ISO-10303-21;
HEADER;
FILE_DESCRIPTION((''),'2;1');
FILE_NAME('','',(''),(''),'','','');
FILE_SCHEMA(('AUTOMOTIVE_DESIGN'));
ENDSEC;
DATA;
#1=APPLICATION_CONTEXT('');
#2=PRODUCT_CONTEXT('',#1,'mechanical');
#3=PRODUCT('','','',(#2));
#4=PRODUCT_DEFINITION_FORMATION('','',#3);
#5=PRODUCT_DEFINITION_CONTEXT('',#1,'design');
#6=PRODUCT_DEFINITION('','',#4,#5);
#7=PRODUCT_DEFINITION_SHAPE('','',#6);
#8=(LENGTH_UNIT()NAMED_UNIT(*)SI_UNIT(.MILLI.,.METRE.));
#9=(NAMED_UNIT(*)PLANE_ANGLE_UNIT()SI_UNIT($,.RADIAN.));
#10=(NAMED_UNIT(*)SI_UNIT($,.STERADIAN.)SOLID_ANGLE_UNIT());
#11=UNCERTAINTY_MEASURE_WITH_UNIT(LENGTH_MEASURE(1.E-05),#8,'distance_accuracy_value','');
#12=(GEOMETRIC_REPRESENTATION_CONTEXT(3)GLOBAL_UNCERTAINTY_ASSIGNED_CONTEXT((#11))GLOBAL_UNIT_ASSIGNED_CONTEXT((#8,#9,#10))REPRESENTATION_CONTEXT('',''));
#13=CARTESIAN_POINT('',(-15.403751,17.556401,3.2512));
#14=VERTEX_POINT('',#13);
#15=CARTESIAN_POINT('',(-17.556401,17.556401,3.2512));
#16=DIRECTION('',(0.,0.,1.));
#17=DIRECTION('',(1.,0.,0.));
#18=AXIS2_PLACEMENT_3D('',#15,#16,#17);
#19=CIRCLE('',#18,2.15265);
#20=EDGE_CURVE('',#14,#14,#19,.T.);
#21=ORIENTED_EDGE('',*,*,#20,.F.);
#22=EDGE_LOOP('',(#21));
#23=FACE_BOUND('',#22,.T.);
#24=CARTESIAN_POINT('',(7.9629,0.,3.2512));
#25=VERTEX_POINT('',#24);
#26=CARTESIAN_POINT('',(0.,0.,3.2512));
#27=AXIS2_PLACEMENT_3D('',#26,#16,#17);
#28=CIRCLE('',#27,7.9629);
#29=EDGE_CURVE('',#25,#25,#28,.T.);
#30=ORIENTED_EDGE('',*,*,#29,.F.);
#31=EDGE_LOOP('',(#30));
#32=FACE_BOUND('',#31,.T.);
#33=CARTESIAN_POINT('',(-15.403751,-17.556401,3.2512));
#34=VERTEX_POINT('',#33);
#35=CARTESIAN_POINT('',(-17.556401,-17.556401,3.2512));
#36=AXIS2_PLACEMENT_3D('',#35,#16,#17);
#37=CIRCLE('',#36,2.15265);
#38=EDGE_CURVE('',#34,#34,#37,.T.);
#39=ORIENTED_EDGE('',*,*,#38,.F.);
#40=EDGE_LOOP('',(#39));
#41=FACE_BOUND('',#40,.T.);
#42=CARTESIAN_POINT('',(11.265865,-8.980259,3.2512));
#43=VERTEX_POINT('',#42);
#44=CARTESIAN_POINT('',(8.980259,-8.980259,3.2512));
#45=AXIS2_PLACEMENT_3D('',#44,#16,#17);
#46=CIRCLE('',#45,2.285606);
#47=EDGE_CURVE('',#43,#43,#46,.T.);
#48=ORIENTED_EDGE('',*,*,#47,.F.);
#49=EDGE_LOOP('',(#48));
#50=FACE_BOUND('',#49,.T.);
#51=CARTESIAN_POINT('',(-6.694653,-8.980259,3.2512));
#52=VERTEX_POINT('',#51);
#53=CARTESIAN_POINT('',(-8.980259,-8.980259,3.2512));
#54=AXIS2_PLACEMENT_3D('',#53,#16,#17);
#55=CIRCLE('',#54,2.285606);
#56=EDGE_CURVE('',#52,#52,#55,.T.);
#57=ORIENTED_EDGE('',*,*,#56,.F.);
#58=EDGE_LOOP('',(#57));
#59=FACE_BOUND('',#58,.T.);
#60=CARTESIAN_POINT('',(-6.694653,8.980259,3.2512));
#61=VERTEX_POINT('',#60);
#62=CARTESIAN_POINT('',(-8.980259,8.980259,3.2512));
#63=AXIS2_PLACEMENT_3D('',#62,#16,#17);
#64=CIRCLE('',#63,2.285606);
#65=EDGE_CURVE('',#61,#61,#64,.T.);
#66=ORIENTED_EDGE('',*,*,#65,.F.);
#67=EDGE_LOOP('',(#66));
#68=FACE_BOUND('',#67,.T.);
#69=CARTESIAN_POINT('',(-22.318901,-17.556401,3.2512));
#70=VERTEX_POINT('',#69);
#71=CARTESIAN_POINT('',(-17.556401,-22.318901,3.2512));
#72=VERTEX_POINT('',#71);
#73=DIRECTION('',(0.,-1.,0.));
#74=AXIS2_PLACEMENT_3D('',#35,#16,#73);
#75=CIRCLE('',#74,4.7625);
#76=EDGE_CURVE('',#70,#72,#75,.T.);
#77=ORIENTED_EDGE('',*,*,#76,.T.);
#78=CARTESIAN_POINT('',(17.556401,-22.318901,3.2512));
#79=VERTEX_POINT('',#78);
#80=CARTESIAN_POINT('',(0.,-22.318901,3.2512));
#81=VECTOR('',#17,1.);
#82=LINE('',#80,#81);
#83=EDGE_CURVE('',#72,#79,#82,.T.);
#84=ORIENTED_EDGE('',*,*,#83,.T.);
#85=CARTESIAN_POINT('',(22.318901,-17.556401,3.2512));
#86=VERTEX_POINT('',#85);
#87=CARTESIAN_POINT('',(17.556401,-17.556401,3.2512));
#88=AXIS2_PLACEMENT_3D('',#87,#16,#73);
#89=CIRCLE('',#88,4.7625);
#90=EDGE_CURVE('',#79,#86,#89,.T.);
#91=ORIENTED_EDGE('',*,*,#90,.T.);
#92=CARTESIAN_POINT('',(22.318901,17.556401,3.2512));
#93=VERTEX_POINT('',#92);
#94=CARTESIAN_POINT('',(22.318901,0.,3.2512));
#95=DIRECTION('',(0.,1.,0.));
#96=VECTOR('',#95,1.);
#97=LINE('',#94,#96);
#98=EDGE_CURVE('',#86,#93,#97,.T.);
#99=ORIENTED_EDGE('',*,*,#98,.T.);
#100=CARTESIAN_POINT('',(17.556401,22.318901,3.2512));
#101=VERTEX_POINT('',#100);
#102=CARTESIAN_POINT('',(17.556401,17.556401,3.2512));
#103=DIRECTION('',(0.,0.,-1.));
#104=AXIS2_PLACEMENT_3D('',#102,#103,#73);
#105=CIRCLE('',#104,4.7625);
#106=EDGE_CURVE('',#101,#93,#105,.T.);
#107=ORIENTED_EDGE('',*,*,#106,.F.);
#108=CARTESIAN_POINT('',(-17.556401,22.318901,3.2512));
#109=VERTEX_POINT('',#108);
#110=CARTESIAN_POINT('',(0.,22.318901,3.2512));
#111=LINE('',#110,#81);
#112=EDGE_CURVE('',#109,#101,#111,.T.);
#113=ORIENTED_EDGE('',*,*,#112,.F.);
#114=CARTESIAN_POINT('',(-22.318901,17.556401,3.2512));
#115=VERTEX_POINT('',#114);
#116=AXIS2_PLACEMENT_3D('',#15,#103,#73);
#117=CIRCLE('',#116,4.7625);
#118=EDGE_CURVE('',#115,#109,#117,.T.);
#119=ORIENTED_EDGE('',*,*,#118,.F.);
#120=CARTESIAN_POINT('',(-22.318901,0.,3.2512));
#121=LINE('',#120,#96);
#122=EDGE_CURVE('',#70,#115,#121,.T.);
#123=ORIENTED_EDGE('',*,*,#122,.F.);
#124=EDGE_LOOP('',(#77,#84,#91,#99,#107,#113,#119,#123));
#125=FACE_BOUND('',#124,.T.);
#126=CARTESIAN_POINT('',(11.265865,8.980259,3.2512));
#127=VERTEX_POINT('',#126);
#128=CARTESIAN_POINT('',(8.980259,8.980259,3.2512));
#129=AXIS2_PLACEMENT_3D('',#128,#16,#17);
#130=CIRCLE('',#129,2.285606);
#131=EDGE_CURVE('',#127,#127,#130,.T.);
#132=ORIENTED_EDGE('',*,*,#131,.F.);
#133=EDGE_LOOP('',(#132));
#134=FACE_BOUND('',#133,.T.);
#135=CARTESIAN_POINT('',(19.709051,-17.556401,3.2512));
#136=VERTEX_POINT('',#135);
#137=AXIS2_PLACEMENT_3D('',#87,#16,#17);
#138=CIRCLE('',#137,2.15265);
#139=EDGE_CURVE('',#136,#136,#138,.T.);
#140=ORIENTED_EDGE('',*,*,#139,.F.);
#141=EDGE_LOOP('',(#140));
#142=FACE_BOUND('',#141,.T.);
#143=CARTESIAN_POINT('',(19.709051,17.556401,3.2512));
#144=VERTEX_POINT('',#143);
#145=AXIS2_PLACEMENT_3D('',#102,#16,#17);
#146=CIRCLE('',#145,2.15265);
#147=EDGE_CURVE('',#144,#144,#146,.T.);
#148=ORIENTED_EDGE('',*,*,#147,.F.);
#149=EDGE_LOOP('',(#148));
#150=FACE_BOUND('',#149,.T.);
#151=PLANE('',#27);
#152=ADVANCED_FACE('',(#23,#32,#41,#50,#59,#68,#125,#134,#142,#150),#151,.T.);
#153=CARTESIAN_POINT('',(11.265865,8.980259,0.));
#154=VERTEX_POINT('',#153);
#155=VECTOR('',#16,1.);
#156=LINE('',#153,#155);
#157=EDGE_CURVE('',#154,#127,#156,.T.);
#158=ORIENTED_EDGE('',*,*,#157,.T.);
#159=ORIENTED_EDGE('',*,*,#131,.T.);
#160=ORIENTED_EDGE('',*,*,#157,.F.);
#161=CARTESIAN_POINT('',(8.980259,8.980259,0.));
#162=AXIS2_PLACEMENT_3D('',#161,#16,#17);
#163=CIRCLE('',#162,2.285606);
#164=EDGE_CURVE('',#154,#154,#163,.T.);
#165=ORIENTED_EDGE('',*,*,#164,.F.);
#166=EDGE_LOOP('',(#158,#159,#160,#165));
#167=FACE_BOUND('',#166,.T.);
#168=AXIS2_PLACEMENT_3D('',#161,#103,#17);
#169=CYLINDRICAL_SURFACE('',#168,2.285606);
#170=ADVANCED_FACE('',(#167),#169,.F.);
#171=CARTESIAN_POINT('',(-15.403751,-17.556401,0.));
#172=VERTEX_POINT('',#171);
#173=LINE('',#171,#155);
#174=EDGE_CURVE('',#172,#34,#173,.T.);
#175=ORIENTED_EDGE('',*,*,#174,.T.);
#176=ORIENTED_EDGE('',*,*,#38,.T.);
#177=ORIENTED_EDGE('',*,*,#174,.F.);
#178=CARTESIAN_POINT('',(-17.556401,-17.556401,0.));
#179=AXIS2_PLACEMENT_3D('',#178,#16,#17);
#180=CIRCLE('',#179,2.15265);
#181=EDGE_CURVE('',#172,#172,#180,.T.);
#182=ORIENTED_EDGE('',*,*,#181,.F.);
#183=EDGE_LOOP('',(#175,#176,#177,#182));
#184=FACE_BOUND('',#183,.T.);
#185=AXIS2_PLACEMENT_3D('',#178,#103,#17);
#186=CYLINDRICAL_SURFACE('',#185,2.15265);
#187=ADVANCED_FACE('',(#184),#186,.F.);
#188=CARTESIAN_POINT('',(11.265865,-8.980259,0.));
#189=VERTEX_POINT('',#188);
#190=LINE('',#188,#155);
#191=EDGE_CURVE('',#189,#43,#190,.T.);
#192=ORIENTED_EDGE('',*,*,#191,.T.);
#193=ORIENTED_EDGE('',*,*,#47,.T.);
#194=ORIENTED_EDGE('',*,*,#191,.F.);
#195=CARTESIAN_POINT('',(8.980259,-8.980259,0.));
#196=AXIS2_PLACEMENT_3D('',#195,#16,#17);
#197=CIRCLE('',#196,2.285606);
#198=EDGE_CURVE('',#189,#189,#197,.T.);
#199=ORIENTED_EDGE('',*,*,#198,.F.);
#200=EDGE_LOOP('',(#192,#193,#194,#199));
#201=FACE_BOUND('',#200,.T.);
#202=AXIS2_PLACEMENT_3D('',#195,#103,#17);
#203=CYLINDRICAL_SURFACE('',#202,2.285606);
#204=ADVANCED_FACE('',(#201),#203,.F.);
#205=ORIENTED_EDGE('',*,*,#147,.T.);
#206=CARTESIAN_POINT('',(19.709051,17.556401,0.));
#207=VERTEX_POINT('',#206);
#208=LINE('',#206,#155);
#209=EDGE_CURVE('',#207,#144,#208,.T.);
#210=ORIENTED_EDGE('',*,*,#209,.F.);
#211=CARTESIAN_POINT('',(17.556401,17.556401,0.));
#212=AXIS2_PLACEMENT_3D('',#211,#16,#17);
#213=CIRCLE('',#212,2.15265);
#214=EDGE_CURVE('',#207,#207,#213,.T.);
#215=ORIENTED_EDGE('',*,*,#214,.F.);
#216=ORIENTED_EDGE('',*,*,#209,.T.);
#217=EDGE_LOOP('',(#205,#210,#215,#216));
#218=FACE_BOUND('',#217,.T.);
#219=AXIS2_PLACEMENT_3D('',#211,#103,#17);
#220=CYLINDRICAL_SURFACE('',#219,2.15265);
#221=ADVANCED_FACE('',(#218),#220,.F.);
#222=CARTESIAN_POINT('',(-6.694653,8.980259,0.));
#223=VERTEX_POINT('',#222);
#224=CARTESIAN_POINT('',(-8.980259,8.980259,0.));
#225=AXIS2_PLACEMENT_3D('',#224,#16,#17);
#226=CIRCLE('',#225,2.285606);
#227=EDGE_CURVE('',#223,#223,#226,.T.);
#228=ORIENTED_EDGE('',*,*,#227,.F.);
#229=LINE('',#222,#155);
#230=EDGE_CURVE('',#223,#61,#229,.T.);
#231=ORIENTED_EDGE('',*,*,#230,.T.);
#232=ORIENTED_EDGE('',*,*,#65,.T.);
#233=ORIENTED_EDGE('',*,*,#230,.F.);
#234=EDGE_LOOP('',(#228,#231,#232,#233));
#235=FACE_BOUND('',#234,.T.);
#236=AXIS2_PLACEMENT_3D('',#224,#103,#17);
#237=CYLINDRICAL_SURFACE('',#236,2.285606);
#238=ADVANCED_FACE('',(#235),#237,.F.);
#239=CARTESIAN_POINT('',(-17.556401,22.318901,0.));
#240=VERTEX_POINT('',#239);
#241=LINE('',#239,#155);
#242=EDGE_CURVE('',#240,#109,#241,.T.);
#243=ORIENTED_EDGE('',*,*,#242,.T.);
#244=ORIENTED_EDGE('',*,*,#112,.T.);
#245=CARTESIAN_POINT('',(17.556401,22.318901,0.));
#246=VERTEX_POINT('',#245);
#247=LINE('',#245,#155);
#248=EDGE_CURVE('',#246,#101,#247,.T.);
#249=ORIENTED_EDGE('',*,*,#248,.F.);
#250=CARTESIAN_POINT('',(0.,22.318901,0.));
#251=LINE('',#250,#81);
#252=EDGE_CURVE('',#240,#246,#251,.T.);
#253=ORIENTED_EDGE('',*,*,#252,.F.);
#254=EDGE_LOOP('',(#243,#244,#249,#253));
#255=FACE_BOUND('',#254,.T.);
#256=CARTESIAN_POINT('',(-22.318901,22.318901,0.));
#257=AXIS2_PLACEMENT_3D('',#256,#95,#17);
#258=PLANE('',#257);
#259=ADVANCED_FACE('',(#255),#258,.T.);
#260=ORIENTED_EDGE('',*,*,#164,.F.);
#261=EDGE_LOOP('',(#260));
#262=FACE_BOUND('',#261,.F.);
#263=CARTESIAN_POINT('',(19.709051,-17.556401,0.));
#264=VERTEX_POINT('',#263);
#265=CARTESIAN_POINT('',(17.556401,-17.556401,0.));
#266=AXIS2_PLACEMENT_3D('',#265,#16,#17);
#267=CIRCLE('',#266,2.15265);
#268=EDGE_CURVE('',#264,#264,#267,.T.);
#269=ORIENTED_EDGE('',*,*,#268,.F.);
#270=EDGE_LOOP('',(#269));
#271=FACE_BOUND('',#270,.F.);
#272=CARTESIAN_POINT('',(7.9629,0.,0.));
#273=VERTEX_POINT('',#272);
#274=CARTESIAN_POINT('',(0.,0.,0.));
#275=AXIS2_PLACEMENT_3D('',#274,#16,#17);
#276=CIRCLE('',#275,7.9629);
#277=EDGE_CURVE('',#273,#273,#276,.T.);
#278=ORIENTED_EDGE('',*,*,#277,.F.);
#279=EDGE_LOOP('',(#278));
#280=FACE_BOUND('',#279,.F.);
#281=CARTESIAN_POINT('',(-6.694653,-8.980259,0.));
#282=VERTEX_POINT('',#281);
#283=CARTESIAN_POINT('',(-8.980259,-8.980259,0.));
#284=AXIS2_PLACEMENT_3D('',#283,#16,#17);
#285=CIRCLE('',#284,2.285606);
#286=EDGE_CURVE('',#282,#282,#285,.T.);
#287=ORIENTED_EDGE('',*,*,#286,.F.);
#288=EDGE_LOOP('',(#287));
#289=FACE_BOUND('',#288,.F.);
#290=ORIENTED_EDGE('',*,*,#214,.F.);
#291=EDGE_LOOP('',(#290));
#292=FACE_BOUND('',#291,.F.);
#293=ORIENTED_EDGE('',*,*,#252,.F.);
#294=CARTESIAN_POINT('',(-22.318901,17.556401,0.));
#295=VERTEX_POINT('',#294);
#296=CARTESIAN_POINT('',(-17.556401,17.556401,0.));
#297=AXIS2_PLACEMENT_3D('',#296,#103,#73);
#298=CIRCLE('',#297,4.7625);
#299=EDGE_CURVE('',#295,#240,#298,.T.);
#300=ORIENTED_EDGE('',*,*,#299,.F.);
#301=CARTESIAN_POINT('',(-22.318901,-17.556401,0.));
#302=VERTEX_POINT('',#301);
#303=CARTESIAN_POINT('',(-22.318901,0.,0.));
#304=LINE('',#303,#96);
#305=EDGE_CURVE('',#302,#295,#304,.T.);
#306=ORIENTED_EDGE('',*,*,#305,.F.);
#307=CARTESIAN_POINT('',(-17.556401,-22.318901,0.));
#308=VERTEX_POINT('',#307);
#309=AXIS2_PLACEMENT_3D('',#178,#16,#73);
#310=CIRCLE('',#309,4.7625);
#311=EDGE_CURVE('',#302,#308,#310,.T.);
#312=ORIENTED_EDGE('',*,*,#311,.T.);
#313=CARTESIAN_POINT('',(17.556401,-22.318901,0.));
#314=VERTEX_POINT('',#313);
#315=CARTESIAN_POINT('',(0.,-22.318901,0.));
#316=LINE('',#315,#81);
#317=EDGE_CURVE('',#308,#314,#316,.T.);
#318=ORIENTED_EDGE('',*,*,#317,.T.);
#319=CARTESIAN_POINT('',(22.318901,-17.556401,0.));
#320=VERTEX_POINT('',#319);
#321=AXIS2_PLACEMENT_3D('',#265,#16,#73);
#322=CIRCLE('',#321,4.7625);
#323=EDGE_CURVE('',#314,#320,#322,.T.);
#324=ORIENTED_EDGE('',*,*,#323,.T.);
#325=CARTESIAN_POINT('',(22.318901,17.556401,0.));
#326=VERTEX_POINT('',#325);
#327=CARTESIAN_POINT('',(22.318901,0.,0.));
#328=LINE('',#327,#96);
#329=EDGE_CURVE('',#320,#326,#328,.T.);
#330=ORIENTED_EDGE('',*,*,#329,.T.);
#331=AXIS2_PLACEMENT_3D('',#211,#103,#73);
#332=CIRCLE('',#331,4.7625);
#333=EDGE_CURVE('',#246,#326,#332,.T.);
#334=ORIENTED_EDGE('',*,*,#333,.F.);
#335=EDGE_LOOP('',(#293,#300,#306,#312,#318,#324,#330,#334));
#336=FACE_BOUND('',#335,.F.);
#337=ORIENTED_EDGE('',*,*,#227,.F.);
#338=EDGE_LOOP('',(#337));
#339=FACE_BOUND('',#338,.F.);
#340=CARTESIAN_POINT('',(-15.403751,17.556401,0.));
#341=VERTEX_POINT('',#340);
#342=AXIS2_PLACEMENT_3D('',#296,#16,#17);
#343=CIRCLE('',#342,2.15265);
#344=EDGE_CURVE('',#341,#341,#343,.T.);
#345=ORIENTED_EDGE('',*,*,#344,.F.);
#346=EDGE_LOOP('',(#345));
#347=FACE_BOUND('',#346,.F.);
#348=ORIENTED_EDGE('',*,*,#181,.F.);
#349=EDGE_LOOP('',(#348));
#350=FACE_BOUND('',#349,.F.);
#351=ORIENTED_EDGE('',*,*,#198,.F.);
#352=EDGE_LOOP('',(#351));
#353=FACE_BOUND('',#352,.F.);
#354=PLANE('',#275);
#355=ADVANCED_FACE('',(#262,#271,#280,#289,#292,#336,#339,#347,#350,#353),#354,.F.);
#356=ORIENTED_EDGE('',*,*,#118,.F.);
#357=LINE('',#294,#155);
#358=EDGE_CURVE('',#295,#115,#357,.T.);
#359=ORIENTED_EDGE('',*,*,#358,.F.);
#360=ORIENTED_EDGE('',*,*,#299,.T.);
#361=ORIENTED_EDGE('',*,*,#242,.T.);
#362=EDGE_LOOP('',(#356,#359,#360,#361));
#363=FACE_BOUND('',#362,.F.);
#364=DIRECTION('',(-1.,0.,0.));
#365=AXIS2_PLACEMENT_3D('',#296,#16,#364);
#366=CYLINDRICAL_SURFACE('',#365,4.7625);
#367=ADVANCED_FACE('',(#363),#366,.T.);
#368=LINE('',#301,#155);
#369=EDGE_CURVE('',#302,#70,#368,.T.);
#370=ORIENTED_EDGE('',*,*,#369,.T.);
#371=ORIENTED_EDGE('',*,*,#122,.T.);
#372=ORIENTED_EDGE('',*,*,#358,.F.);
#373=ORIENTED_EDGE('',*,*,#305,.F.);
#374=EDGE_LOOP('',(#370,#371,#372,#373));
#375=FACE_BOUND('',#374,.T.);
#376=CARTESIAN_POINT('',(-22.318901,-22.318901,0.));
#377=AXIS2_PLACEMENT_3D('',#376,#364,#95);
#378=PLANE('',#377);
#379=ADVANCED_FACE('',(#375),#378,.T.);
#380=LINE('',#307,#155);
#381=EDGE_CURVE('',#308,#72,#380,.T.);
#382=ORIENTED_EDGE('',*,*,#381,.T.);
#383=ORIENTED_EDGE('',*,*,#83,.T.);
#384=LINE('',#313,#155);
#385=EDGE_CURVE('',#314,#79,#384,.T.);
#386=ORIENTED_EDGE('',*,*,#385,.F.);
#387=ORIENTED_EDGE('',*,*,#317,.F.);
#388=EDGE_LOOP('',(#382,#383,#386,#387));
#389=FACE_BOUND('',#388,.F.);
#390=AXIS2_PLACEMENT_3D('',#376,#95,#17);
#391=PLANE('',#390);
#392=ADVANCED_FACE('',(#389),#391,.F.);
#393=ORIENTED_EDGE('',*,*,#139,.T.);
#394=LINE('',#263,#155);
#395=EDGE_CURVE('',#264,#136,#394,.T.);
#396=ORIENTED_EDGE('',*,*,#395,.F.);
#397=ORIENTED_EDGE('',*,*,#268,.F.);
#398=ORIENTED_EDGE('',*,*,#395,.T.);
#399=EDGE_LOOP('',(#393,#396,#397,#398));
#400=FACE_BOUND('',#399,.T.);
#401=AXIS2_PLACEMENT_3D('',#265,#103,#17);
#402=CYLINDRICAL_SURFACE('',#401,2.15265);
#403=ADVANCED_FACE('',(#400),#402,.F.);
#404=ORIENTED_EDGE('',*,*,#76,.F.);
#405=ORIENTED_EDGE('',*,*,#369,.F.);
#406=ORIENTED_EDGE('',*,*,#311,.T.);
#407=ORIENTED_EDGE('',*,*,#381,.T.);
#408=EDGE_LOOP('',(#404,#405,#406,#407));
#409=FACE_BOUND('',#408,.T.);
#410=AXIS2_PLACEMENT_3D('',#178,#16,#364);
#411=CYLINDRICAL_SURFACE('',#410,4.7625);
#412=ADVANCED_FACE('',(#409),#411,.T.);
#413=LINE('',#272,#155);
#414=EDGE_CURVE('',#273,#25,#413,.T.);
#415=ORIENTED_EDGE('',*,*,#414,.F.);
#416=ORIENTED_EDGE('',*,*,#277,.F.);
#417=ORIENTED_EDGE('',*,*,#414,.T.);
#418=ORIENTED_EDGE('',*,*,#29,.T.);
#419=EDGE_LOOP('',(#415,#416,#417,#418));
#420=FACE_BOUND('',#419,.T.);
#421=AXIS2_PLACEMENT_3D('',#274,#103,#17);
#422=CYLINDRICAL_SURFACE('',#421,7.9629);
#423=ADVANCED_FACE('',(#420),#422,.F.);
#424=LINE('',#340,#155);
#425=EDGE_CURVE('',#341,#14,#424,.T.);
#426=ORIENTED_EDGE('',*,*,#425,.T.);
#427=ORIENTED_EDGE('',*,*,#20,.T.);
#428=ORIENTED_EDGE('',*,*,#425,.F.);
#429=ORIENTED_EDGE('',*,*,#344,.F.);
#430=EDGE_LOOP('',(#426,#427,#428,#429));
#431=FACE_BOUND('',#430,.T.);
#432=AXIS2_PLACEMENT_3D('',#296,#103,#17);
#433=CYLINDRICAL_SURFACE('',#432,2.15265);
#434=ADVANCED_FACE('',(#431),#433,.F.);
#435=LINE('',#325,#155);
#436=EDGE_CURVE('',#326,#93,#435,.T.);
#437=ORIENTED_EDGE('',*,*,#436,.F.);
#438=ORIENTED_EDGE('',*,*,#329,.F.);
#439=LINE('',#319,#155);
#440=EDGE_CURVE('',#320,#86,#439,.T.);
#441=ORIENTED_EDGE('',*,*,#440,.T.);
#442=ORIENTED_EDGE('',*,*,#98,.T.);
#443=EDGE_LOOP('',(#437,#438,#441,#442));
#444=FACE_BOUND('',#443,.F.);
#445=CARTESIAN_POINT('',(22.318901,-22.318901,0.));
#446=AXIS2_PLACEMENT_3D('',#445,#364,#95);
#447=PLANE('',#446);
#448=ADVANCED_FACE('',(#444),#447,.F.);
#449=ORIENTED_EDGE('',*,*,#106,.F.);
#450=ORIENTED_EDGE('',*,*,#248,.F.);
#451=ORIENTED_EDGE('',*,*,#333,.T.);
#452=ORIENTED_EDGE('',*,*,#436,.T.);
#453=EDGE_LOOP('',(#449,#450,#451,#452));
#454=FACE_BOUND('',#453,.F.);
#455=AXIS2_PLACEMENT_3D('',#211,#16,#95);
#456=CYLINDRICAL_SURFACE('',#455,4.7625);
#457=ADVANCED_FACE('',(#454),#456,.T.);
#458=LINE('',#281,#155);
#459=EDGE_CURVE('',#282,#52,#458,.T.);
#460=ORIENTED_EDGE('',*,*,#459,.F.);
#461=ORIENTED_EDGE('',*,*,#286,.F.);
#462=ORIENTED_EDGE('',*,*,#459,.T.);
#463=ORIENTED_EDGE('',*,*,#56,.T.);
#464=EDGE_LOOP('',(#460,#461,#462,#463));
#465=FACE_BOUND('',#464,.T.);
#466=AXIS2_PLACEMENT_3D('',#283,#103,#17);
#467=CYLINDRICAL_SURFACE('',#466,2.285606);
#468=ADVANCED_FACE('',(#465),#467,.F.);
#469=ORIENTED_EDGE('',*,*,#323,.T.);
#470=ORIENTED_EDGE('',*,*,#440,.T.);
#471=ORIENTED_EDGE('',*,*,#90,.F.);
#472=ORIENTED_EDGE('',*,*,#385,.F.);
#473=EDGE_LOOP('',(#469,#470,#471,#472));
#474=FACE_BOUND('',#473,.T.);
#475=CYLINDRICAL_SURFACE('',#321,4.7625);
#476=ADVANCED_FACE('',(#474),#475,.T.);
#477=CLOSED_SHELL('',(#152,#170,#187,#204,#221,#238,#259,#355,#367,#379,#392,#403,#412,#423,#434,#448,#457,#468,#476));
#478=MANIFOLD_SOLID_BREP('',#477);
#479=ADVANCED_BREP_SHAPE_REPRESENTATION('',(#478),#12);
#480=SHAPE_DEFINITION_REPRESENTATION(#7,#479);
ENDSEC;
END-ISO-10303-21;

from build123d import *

# Parameters (mm, degrees)
F0_W     = 44.637802
F0_H     = 44.637802
F0_R     = 2.15265
F0_R_2   = 2.285606
F0_R_3   = 7.9629
F1_DEPTH = 3.2512
F2_R     = 4.7625


with BuildPart() as f1:
    # F0 (on Top) → F1 (new body)
    with BuildSketch(Plane.XY):
        Rectangle(F0_W, F0_H)
        with Locations((-17.556401, -17.556401)):
            Circle(F0_R, mode=Mode.SUBTRACT)
        with Locations((-8.980259, -8.980259)):
            Circle(F0_R_2, mode=Mode.SUBTRACT)
        with Locations((17.556401, -17.556401)):
            Circle(F0_R, mode=Mode.SUBTRACT)
        with Locations((8.980259, -8.980259)):
            Circle(F0_R_2, mode=Mode.SUBTRACT)
        Circle(F0_R_3, mode=Mode.SUBTRACT)
        with Locations((-8.980259, 8.980259)):
            Circle(F0_R_2, mode=Mode.SUBTRACT)
        with Locations((-17.556401, 17.556401)):
            Circle(F0_R, mode=Mode.SUBTRACT)
        with Locations((8.980259, 8.980259)):
            Circle(F0_R_2, mode=Mode.SUBTRACT)
        with Locations((17.556401, 17.556401)):
            Circle(F0_R, mode=Mode.SUBTRACT)
    extrude(amount=F1_DEPTH)

    # F2
    f2_edges = [f1.edges().sort_by_distance(p)[0] for p in [
        (-22.318901, -22.318901, 1.6256),
        (22.318901, -22.318901, 1.6256),
        (22.318901, 22.318901, 1.6256),
        (-22.318901, 22.318901, 1.6256),
    ]]
    fillet(f2_edges, radius=F2_R)


solid = f1.part
